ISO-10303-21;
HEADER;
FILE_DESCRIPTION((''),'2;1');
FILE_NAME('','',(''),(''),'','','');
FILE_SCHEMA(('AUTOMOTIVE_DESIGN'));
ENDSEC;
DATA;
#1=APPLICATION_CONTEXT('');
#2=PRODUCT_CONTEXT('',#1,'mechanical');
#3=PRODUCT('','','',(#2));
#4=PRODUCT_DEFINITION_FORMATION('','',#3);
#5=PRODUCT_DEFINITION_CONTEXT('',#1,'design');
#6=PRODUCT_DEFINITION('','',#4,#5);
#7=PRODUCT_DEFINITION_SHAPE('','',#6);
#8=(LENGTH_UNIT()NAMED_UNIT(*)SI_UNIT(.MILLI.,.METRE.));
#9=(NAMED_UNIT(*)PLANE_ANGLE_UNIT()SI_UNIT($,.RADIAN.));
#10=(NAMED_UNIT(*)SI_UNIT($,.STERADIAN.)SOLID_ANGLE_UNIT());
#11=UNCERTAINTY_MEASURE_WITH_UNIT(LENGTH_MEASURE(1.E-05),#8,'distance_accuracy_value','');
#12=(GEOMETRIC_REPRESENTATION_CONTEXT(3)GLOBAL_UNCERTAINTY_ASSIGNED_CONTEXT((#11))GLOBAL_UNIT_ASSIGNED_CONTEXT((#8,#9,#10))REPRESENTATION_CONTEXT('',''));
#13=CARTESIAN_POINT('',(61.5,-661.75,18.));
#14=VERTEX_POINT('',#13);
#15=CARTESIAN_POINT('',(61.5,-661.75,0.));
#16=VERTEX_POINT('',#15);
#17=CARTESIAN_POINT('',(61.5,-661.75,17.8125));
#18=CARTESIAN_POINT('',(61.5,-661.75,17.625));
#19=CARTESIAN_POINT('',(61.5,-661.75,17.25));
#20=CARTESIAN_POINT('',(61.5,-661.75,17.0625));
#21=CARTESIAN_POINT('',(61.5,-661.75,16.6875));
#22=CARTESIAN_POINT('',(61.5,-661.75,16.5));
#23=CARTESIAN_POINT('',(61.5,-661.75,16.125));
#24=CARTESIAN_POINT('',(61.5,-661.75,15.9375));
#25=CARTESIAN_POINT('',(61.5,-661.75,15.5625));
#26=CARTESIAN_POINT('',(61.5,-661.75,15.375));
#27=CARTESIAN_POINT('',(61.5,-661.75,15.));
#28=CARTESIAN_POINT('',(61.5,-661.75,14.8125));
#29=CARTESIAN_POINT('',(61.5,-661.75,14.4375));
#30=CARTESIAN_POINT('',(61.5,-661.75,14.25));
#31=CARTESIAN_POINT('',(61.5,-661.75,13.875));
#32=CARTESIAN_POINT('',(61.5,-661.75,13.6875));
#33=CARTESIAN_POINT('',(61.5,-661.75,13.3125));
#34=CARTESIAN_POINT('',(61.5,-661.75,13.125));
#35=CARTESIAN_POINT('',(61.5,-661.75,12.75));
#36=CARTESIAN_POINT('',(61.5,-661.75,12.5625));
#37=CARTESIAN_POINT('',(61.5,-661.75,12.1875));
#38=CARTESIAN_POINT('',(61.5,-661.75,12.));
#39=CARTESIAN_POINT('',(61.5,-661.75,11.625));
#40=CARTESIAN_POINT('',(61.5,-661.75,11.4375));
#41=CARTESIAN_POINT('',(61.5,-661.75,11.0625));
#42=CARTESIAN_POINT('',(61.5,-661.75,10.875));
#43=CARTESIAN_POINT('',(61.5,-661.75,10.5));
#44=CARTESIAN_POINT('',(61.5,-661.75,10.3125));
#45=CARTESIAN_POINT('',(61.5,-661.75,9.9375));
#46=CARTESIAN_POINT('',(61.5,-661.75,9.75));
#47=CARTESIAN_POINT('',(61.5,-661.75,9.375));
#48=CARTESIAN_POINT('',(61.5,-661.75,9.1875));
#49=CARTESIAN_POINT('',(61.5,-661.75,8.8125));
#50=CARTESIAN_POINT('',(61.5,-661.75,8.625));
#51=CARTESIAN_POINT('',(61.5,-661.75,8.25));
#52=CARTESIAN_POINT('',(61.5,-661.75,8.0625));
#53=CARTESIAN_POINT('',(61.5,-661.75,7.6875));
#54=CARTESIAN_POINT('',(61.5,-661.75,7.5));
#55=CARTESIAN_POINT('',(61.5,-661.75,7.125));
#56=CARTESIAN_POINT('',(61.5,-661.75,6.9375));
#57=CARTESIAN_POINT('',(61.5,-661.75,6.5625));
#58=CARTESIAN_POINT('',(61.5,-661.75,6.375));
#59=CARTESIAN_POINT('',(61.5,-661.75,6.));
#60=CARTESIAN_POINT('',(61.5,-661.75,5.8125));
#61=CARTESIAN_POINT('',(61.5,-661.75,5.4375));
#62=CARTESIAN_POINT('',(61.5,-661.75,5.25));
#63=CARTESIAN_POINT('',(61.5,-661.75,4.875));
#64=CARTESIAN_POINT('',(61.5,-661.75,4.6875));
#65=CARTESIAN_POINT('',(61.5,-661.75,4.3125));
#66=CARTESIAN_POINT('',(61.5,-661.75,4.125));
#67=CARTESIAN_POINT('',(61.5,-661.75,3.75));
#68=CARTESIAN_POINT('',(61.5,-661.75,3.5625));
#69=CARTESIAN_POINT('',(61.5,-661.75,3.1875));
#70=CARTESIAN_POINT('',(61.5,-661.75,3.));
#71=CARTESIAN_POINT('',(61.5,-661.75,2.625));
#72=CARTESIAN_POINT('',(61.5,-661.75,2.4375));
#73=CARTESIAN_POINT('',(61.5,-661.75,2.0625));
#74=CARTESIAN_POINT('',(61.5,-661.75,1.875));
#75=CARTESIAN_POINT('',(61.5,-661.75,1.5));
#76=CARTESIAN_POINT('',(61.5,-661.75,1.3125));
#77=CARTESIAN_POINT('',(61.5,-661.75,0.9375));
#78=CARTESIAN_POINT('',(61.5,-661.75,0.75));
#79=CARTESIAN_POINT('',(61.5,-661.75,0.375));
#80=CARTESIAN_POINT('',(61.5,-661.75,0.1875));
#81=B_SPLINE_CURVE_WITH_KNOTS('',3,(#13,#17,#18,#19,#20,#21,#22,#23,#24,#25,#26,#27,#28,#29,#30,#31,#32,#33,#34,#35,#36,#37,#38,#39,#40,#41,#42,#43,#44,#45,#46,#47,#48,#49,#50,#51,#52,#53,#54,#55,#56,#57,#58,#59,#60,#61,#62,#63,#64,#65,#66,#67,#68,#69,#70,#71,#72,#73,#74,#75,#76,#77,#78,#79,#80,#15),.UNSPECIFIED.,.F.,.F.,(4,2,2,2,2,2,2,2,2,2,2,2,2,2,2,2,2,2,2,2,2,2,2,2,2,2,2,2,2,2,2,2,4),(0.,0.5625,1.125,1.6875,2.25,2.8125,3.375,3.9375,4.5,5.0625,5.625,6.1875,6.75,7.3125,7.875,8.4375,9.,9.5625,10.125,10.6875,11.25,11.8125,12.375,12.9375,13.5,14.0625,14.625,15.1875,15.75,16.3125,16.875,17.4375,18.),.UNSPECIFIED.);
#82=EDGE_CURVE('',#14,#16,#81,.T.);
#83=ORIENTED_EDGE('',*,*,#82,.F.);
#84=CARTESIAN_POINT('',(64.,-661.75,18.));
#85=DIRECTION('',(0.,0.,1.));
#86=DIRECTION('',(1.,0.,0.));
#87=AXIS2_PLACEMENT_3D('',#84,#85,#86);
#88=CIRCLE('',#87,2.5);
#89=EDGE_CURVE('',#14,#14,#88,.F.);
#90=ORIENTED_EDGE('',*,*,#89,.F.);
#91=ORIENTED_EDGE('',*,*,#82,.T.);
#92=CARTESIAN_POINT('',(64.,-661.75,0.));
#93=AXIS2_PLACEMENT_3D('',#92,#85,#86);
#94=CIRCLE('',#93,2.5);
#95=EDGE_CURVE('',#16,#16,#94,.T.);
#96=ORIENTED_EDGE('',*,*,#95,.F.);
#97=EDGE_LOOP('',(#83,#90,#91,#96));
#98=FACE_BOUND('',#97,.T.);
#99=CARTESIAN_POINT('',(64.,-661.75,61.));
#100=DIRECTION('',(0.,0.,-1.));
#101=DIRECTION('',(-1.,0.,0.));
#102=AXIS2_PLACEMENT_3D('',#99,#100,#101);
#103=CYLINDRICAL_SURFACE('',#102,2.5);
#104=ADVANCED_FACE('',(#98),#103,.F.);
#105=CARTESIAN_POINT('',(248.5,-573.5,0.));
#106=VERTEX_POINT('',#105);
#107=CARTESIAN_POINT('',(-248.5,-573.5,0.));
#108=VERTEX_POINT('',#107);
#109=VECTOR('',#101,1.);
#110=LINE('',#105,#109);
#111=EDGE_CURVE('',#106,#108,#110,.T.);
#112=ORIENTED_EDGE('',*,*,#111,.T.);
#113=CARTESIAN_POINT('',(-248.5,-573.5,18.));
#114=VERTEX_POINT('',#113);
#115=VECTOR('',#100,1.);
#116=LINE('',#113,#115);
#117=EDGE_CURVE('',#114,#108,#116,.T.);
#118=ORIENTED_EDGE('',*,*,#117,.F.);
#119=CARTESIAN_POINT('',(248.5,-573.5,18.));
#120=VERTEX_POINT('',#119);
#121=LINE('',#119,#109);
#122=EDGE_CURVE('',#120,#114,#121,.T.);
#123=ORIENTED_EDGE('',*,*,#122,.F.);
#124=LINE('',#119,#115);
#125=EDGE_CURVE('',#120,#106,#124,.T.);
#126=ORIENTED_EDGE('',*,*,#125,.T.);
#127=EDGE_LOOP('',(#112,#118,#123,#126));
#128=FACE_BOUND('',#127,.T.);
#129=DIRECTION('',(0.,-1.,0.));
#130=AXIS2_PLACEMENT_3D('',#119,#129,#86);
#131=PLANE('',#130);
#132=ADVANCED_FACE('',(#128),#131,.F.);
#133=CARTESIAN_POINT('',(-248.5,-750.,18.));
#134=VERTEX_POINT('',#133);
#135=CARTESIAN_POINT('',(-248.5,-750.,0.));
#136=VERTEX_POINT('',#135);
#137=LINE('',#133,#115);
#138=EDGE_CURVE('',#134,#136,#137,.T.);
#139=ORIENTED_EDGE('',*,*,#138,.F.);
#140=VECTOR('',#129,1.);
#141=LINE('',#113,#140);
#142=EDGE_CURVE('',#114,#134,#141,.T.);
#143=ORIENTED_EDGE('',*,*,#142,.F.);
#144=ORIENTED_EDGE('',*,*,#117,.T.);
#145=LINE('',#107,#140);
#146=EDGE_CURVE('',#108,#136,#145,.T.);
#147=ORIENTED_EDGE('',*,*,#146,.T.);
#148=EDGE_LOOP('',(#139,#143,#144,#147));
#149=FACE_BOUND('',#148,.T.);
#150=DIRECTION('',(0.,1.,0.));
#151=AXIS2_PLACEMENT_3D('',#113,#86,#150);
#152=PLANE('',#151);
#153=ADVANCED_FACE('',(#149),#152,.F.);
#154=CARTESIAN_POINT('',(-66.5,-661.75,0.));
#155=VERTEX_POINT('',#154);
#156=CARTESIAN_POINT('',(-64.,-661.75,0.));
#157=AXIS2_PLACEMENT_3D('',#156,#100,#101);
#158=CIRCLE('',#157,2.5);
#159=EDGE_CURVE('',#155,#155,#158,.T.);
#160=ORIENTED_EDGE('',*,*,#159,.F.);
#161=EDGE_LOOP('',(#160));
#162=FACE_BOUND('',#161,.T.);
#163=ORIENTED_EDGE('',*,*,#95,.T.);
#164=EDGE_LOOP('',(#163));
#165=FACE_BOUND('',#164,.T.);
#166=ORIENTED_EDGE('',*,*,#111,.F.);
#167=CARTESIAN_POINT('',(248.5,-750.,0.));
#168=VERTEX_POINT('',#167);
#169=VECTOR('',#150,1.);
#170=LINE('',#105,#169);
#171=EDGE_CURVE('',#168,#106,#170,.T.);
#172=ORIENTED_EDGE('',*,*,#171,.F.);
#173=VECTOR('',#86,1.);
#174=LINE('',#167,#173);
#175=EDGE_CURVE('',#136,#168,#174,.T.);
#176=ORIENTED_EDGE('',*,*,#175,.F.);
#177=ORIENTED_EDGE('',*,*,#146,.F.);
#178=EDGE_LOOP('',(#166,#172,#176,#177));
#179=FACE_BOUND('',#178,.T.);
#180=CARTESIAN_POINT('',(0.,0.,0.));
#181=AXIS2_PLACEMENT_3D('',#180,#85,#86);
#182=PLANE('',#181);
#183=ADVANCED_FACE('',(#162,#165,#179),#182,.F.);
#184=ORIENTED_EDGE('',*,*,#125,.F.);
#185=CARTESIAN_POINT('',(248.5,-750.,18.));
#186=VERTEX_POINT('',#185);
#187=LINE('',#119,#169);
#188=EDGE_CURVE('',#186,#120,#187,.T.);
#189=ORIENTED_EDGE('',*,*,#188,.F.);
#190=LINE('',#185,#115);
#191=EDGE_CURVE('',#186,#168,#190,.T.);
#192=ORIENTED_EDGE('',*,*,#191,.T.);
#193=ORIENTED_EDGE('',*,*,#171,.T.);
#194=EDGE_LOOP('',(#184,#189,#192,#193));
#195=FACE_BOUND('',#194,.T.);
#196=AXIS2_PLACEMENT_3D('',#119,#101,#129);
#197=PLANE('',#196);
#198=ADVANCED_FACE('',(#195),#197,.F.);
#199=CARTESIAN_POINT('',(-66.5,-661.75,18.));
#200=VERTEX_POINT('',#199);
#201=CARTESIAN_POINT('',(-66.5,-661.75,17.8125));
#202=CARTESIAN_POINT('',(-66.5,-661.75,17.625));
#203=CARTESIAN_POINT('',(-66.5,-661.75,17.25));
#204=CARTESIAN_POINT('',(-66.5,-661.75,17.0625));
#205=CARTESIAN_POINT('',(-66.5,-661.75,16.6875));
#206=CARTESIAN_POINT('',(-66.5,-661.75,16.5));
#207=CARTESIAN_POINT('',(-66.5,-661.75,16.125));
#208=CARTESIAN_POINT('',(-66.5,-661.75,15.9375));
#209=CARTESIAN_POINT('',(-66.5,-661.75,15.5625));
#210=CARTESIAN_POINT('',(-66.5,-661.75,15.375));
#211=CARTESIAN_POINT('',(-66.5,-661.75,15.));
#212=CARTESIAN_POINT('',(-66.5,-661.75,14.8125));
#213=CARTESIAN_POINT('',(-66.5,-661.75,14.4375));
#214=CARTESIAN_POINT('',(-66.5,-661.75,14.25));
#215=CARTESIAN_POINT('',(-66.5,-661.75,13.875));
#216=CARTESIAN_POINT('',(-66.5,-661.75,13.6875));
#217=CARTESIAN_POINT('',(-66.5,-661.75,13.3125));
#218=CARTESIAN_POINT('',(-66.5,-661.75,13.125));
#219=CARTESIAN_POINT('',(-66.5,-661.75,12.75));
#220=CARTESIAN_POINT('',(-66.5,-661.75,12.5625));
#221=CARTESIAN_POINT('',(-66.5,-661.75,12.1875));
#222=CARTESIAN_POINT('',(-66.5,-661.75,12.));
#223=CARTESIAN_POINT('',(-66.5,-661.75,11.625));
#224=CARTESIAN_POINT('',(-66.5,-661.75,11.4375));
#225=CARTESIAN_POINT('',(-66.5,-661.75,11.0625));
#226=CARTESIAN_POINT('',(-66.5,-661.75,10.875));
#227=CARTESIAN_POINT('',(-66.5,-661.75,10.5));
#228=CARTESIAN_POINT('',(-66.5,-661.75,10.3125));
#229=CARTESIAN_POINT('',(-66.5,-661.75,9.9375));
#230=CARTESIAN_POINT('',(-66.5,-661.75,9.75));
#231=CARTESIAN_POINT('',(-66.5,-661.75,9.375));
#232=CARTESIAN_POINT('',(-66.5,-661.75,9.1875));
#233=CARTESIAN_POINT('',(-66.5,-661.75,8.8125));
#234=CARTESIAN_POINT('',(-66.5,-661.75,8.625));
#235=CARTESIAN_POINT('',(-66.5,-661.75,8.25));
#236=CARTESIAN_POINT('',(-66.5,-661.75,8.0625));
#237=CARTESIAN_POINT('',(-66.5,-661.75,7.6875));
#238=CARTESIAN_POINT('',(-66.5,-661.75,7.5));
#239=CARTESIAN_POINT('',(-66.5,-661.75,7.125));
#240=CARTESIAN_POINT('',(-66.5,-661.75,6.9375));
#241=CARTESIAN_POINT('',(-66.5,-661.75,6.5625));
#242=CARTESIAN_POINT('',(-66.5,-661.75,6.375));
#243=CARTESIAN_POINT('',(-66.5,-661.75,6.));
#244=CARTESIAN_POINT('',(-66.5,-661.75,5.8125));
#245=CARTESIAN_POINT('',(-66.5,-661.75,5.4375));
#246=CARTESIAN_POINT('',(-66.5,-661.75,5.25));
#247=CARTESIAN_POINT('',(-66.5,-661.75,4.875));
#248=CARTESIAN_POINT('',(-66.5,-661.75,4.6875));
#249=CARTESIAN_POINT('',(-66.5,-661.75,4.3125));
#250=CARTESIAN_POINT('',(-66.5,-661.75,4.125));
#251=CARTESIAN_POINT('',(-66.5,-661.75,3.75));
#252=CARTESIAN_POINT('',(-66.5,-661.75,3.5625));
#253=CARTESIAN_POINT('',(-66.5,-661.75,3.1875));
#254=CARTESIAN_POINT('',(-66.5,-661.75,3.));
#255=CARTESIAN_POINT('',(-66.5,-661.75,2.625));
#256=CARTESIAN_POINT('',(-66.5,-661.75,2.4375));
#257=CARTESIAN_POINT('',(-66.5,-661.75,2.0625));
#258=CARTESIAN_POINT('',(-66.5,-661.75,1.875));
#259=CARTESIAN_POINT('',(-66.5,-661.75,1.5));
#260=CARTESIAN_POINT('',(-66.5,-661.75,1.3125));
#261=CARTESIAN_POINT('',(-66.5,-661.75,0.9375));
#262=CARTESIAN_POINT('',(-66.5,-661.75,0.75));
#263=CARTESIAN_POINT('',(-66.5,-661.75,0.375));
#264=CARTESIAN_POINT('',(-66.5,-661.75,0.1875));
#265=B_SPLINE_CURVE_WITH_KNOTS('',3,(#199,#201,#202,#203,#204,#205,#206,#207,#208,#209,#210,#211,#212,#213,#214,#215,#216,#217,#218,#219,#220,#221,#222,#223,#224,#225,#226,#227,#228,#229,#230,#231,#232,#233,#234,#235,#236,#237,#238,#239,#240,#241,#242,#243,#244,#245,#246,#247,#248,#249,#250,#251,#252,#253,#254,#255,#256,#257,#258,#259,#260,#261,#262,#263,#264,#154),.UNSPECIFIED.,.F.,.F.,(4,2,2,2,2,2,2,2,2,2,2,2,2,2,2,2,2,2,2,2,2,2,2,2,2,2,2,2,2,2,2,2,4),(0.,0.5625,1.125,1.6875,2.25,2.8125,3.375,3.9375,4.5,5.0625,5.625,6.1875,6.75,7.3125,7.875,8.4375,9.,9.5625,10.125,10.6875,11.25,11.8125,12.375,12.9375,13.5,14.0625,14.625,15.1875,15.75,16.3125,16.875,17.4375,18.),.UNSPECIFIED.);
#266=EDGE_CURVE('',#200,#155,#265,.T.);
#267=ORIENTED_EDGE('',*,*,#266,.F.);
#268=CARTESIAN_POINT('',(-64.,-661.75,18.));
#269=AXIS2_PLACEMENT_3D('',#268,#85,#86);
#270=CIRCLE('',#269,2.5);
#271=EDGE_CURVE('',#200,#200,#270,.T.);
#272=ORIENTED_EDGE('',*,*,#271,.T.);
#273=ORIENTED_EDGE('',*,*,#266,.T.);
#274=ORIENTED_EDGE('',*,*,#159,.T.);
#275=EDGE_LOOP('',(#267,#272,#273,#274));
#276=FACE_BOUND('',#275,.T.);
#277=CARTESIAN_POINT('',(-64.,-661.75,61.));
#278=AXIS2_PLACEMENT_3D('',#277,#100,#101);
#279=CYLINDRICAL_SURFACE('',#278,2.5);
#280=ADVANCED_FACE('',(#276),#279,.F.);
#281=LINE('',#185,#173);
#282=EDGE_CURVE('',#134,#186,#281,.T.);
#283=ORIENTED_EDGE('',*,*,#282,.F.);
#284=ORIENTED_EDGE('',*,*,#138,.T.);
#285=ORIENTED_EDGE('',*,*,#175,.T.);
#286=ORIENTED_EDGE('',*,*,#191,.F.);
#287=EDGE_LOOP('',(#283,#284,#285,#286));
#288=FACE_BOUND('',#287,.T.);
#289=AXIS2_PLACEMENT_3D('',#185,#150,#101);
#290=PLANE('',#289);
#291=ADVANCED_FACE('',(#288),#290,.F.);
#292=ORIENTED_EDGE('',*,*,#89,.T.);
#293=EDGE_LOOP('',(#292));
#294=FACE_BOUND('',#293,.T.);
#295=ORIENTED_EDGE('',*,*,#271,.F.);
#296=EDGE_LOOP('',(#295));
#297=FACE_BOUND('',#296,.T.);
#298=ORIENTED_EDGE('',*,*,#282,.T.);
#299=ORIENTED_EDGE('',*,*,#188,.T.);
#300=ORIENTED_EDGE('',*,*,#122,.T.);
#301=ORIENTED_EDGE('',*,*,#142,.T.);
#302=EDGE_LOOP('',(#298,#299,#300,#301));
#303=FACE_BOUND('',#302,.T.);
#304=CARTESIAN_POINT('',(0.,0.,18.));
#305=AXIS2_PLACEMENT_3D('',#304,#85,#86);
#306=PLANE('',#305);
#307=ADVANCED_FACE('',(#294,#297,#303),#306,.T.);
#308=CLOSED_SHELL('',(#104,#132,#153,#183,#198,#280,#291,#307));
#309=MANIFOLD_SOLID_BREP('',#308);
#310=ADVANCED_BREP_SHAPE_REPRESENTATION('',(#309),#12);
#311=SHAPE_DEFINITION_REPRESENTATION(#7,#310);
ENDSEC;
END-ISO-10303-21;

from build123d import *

# Parameters (mm, degrees)
SKETCH1_W           = 497
SKETCH1_H           = 176.5
BOSS_EXTRUDE1_DEPTH = 18
SKETCH3_R           = 2.5
CUT_EXTRUDE2_DEPTH  = 61


with BuildPart() as part:
    # Sketch1 → Boss-Extrude1 (new body)
    with BuildSketch(Plane.XY):
        with Locations((0, -661.75)):
            Rectangle(SKETCH1_W, SKETCH1_H)
    extrude(amount=BOSS_EXTRUDE1_DEPTH)

    # Sketch3 → Cut-Extrude2 (cut)
    with BuildSketch(Plane.XY):
        with Locations(Location((64, -661.75, 0), (0, 0, 180))):
            Circle(SKETCH3_R)
        with Locations(Location((-64, -661.75, 0), (0, 0, 180))):
            Circle(SKETCH3_R)
    extrude(amount=CUT_EXTRUDE2_DEPTH, mode=Mode.SUBTRACT)


solid = part.part
